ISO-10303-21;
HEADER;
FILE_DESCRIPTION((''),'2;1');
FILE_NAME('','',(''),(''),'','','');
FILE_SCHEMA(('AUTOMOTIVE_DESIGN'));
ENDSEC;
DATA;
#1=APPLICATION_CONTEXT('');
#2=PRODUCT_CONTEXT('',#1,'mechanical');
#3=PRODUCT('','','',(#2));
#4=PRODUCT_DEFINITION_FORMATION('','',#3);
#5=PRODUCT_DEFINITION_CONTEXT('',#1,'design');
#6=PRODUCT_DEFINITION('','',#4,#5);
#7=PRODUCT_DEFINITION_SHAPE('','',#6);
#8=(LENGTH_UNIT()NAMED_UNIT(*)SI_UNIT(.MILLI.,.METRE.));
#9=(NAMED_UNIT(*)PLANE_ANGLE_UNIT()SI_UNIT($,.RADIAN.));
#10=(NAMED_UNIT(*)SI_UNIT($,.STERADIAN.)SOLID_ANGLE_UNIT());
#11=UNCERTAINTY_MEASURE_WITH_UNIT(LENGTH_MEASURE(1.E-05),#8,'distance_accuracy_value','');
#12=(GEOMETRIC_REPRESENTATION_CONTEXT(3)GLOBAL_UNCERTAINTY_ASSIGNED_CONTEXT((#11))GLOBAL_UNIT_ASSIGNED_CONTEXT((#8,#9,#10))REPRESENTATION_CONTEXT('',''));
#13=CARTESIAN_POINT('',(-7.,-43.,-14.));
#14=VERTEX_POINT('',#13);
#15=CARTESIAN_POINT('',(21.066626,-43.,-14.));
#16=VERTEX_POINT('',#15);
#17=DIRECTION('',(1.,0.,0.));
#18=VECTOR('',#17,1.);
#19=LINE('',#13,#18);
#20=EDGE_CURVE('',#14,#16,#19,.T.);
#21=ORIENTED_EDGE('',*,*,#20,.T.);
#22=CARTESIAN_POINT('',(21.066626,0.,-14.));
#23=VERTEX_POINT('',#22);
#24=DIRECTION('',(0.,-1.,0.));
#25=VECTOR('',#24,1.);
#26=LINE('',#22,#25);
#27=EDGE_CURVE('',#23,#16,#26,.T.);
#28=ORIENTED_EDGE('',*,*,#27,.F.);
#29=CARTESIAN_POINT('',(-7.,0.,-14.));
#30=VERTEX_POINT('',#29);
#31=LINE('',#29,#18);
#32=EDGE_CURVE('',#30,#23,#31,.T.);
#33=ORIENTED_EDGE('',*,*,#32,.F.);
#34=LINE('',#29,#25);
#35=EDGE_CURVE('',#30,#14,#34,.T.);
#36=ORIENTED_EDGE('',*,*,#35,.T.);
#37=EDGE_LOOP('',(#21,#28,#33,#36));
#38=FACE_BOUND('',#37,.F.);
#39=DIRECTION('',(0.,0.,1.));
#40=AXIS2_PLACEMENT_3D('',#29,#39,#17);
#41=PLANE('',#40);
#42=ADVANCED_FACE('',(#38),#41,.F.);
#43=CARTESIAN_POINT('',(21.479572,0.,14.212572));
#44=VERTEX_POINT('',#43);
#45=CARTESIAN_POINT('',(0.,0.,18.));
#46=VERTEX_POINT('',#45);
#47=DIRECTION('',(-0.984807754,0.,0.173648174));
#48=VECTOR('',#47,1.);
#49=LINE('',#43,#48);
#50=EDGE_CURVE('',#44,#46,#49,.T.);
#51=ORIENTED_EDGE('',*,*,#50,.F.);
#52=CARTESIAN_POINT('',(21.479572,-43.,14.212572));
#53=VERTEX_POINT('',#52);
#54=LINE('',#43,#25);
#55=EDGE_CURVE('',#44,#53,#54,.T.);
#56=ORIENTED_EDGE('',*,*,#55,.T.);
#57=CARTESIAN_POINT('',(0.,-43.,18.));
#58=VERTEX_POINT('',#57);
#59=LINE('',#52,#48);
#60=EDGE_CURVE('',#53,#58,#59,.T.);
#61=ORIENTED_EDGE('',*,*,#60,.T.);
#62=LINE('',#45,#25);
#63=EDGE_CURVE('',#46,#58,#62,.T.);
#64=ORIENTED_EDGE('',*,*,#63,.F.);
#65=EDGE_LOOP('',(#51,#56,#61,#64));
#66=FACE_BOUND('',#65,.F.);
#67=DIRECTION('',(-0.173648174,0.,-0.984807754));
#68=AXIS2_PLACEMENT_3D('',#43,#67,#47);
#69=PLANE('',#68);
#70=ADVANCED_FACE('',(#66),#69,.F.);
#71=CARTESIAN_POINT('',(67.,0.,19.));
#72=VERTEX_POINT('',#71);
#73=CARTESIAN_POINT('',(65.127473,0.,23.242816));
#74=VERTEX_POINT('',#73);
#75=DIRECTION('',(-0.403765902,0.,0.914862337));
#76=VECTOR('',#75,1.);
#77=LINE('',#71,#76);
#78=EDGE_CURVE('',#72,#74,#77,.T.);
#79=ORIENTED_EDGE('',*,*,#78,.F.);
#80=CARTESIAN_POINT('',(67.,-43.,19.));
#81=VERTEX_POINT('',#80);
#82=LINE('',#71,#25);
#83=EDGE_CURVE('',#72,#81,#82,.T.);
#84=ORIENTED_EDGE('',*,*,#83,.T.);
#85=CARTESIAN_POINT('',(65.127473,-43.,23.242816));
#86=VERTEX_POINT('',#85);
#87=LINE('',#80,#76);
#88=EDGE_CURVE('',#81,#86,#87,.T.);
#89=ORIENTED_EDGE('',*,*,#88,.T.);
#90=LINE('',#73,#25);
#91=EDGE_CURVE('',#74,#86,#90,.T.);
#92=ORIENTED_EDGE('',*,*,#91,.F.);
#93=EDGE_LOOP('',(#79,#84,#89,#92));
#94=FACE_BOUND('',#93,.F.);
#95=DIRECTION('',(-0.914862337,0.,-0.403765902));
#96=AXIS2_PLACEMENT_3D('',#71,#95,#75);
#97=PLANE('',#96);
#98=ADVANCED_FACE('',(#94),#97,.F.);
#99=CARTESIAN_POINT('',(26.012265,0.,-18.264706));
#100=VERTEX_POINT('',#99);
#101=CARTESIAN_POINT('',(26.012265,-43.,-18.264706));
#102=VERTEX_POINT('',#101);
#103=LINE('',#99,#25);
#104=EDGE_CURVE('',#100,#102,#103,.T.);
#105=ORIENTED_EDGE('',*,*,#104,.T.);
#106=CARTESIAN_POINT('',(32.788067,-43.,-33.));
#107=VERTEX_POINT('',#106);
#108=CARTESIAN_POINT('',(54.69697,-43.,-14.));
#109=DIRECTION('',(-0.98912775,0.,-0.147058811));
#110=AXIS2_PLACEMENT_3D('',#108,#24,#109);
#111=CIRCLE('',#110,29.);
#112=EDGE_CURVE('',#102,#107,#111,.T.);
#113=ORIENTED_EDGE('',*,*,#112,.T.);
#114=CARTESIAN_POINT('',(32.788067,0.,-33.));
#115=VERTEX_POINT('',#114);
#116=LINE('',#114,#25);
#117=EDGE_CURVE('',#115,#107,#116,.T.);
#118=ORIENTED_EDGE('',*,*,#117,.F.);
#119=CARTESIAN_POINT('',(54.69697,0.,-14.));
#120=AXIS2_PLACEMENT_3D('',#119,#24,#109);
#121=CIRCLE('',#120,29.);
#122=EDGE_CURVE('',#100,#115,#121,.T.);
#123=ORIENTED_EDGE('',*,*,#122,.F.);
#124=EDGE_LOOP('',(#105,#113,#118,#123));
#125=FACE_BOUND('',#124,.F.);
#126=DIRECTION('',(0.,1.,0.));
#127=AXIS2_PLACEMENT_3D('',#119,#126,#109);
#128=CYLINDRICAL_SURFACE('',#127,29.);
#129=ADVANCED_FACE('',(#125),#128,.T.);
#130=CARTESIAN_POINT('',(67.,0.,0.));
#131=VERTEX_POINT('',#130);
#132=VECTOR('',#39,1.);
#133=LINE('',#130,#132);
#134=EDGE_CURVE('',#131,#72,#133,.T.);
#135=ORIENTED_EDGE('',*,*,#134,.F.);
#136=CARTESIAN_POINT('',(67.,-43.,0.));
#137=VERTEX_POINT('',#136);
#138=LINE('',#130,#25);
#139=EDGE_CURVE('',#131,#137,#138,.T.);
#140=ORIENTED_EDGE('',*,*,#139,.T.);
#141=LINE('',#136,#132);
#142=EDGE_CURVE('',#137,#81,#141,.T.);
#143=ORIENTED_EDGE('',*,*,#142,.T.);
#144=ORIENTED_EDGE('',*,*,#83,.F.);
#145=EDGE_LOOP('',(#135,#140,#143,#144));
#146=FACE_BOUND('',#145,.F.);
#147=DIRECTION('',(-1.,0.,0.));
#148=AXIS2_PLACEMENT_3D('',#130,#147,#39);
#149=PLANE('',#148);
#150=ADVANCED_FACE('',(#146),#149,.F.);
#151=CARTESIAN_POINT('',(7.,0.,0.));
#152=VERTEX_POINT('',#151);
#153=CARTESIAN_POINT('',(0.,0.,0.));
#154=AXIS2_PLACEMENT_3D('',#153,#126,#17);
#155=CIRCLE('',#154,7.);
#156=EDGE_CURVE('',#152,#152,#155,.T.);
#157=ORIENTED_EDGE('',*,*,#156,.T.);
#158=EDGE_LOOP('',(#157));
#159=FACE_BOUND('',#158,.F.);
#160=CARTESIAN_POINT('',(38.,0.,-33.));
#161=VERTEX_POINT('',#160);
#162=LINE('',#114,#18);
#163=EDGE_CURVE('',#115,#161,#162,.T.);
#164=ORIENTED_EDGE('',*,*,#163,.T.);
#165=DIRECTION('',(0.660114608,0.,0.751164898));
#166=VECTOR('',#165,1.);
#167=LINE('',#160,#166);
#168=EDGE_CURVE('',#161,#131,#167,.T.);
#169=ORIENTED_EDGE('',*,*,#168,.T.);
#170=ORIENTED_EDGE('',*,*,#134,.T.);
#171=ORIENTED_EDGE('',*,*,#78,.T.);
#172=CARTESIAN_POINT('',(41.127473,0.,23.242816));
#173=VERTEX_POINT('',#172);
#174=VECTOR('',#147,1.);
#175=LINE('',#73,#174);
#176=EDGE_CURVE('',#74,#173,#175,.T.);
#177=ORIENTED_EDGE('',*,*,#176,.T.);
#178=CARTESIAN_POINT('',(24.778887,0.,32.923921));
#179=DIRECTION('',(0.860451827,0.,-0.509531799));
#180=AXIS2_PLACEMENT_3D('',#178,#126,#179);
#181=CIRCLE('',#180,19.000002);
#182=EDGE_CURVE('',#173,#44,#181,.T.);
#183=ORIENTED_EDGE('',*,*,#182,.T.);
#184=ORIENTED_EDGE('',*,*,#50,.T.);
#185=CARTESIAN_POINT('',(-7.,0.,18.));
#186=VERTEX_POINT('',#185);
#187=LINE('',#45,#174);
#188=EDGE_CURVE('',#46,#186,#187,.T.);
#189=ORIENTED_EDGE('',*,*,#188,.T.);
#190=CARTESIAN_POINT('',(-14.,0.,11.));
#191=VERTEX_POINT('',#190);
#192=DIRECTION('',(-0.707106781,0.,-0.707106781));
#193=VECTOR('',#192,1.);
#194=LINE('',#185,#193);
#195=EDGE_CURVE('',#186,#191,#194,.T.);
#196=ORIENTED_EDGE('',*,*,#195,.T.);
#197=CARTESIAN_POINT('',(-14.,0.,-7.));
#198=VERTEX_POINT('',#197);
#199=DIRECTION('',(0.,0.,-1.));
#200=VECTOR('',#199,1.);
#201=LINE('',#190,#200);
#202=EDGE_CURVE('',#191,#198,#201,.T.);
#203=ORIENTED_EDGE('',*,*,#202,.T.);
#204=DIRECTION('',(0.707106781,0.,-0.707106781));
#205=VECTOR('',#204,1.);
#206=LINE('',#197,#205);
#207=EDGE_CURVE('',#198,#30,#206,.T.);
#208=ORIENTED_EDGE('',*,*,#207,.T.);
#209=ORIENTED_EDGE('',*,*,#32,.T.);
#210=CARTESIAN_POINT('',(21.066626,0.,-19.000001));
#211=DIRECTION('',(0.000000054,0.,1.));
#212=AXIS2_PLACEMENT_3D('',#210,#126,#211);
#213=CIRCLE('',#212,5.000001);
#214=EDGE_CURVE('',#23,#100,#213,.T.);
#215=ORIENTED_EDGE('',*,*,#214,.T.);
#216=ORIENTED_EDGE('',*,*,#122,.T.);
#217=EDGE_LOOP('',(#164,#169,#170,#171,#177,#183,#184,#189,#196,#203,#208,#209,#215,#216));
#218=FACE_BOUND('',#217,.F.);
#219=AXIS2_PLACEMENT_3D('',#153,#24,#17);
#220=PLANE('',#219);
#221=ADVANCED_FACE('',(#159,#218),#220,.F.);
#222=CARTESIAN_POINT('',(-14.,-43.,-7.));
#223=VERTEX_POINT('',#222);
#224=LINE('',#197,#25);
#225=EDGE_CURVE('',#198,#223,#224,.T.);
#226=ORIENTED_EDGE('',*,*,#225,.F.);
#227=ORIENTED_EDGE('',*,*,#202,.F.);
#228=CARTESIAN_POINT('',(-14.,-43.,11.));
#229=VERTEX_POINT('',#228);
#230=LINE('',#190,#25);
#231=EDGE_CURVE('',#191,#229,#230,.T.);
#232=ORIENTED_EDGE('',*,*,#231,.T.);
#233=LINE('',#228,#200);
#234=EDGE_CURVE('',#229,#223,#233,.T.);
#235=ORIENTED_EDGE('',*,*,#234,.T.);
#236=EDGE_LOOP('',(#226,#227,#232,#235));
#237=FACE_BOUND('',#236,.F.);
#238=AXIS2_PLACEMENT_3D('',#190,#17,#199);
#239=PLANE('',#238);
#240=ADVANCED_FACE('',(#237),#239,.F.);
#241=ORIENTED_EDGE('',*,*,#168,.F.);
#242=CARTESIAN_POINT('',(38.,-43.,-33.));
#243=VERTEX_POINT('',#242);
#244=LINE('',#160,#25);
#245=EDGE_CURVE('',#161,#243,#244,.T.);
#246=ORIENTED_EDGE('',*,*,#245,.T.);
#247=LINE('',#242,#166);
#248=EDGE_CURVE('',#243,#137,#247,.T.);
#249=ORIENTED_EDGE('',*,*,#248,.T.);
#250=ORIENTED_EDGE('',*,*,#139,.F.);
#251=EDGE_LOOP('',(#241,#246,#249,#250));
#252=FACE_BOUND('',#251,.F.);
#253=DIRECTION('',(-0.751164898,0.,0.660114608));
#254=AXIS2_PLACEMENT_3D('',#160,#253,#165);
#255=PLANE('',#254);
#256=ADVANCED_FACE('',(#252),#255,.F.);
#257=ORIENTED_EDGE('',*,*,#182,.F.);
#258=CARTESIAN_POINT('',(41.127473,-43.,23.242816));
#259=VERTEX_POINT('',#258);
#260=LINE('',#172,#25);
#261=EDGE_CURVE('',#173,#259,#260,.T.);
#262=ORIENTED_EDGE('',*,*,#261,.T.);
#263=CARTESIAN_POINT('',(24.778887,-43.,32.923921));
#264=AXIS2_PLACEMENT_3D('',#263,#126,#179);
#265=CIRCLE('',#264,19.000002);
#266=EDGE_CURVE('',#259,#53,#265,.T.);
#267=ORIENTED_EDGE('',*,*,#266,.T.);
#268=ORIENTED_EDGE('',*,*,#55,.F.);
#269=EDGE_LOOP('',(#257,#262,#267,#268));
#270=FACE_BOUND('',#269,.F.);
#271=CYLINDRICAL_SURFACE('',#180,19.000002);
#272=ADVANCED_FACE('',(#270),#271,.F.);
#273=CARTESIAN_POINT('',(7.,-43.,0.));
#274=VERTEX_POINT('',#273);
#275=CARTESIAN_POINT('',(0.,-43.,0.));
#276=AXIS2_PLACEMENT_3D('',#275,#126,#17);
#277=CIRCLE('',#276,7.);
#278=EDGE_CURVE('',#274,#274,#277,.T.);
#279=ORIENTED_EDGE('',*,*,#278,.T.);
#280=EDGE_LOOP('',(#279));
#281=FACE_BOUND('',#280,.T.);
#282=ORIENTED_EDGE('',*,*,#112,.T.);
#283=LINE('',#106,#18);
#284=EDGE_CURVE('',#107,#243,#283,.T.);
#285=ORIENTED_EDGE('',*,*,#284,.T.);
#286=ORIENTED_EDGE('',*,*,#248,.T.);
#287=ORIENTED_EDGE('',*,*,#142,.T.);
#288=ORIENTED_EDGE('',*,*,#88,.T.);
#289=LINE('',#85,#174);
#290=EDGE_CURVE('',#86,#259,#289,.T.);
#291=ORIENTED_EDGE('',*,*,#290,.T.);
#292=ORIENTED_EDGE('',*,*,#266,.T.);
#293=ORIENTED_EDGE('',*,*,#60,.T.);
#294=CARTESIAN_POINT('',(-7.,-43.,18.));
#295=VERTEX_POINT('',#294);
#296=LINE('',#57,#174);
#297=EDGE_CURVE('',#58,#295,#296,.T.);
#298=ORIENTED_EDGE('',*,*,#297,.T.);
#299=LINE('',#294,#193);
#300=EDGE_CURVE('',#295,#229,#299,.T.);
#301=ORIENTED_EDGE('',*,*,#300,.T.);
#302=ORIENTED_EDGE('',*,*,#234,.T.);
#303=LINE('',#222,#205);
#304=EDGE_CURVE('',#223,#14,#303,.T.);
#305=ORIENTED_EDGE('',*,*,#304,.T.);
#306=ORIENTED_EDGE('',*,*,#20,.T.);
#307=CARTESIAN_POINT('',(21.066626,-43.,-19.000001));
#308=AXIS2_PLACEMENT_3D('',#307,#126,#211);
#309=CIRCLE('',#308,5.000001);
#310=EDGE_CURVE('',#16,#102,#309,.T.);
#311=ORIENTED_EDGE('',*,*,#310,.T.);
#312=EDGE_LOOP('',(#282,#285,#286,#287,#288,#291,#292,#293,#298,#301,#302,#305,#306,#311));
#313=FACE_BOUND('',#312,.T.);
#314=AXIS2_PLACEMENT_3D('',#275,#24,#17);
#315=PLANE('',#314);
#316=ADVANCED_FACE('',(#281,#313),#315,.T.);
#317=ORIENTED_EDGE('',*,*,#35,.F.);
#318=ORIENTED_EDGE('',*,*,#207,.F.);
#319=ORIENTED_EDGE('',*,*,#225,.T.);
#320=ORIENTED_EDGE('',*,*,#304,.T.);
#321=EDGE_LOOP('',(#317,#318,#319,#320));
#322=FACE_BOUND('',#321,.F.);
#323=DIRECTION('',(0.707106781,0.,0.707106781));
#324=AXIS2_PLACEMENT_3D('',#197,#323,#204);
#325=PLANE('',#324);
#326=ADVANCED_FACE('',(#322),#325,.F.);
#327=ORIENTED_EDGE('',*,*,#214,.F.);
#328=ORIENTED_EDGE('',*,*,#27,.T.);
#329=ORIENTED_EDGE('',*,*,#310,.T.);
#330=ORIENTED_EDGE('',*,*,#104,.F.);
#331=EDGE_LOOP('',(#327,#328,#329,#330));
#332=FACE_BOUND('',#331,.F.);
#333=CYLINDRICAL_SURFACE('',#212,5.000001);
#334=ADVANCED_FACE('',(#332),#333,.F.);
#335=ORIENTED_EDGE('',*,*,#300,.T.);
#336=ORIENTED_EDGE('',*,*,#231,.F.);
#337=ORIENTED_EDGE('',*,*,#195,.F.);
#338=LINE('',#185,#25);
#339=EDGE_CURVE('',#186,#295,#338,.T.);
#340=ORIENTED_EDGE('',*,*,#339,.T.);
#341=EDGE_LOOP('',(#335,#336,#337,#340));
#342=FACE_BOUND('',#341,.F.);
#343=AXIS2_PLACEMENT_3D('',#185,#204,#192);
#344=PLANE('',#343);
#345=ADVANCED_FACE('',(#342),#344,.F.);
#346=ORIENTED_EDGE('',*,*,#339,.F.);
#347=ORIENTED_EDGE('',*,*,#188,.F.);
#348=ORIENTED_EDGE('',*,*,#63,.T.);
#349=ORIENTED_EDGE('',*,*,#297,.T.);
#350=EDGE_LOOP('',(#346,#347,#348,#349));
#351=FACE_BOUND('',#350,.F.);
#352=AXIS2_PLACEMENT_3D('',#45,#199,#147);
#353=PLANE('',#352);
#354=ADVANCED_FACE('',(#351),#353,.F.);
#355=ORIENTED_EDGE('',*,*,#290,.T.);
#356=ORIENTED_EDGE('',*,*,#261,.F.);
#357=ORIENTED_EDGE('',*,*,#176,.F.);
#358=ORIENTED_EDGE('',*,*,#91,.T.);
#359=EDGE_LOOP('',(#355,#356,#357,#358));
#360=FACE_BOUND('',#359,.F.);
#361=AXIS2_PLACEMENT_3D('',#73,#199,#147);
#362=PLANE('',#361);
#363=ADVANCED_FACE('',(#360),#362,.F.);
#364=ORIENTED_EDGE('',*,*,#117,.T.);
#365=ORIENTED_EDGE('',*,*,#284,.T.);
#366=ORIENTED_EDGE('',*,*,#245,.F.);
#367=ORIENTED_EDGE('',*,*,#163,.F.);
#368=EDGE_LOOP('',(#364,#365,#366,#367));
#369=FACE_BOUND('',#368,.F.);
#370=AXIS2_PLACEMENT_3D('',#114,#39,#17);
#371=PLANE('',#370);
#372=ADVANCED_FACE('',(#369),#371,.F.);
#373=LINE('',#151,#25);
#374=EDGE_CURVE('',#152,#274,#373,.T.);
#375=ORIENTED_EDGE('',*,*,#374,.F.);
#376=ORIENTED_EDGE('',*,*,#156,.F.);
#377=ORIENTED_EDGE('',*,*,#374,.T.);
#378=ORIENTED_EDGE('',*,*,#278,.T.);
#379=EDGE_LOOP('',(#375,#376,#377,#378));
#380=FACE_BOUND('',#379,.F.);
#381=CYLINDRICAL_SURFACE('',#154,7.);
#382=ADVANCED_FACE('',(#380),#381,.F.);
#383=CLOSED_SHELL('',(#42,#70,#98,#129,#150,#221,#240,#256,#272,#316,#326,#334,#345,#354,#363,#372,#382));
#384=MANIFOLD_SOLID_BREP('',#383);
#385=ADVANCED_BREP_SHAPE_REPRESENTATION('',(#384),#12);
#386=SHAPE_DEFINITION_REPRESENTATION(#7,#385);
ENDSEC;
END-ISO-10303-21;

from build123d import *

# Parameters (mm, degrees)
F1_DEPTH = 43


with BuildPart() as f1:
    # F0 (on Front) → F1 (new body)
    with BuildSketch(Plane.XZ):
        with BuildLine():
            ThreePointArc((-7, 0), (0, -7), (7, 0))
            ThreePointArc((7, 0), (0, 7), (-7, 0))
        make_face()
        with BuildLine():
            Line((-14, 11), (-14, 0))
            Line((-14, 0), (-14, -7))
            Line((-14, -7), (-7, -14))
            Line((-7, -14), (0, -14))
            Line((0, -14), (21.066626, -14))
            ThreePointArc((21.066626, -14), (24.331862, -15.213414), (26.012265, -18.264706))
            ThreePointArc((26.012265, -18.264706), (28.349095, -26.115672), (32.788067, -33))
            Line((32.788067, -33), (38, -33))
            Line((38, -33), (67, 0))
            Line((67, 0), (67, 19))
            Line((67, 19), (65.127473, 23.242816))
            Line((65.127473, 23.242816), (41.127473, 23.242816))
            ThreePointArc((41.127473, 23.242816), (32.713444, 15.660003), (21.479572, 14.212572))
            Line((21.479572, 14.212572), (0, 18))
            Line((0, 18), (-7, 18))
            Line((-7, 18), (-14, 11))
        make_face()
        with BuildLine():
            ThreePointArc((-7, 0), (0, 7), (7, 0))
            ThreePointArc((7, 0), (0, -7), (-7, 0))
        make_face(mode=Mode.SUBTRACT)
    extrude(amount=F1_DEPTH)


solid = f1.part
